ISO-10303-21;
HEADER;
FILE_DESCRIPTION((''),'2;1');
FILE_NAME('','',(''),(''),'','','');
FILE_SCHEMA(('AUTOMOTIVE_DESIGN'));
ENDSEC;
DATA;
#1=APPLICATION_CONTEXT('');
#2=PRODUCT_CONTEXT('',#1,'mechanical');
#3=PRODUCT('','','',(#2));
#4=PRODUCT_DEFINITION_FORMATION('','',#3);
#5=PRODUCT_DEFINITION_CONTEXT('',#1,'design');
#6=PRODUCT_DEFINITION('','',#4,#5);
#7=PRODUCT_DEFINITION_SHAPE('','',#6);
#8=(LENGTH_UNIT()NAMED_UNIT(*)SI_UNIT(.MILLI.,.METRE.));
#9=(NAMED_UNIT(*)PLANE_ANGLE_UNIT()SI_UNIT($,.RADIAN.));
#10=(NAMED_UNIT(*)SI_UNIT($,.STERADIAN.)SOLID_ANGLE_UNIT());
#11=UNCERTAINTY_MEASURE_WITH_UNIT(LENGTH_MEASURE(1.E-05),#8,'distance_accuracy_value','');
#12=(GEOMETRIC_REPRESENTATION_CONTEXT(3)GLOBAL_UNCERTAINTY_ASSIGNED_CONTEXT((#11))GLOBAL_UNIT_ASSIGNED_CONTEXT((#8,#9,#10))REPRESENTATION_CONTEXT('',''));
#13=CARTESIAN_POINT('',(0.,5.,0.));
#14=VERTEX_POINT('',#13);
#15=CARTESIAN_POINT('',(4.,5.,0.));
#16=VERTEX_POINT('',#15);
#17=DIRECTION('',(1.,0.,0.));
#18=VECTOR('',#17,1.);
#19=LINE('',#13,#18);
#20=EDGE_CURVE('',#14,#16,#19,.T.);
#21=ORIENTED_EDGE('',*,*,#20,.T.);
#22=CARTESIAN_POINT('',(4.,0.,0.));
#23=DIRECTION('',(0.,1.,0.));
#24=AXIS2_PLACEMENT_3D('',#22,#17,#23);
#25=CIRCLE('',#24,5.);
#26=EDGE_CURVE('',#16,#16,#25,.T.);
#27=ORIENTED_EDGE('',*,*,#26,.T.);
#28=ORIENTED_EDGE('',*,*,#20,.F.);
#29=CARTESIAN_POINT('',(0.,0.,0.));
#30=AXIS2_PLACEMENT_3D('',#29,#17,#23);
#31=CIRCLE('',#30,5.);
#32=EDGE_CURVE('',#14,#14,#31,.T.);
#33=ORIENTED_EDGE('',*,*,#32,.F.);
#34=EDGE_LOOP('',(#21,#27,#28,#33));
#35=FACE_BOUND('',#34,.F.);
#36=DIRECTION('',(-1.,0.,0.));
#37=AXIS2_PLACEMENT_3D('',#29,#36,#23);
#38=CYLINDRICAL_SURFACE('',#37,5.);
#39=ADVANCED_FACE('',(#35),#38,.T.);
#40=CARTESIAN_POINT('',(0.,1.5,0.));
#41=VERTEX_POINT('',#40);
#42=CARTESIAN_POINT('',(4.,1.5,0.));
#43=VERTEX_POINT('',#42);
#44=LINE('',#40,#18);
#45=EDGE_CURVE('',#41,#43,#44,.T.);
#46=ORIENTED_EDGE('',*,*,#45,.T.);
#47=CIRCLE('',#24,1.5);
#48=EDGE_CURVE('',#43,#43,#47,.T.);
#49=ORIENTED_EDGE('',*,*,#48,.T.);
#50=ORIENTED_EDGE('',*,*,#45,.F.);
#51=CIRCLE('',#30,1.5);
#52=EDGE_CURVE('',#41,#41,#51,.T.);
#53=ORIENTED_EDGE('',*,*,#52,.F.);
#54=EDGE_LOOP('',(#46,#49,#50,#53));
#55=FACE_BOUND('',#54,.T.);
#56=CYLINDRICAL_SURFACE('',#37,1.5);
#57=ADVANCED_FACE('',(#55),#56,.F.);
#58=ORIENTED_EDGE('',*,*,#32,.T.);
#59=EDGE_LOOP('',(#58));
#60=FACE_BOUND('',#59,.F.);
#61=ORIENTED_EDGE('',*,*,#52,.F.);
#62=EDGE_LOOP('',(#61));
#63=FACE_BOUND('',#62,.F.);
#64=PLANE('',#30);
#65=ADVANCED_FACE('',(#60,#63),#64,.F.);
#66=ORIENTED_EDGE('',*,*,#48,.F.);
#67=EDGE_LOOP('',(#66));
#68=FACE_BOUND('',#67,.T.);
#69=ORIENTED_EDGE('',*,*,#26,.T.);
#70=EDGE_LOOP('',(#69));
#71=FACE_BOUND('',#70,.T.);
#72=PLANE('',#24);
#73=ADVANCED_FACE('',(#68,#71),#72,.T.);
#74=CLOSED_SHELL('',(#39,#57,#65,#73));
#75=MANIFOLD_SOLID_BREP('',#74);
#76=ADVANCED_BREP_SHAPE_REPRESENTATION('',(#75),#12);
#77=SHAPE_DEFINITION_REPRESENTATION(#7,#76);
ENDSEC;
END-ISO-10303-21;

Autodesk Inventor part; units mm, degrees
ref_plane "YZ Plane" through (0, 0, 0) normal (1, 0, 0) x (0, 1, 0)
ref_plane "XZ Plane" through (0, 0, 0) normal (0, 1, 0) x (-1, 0, 0)
ref_plane "XY Plane" through (0, 0, 0) normal (0, 0, 1) x (1, 0, 0)
sketch "スケッチ1" plane through (0, 0, 0) normal (1, 0, 0) x (0, 1, 0)
  circle A0 centre (0, 0) radius 5
  circle A1 centre (0, 0) radius 1.5
  dimension "d0" = 10
  dimension "d1" = 3
extrude "押し出し1" add sketch "スケッチ1" along normal blind 4
properties part number "bearing-10-3" material "アルミニウム 6061"
